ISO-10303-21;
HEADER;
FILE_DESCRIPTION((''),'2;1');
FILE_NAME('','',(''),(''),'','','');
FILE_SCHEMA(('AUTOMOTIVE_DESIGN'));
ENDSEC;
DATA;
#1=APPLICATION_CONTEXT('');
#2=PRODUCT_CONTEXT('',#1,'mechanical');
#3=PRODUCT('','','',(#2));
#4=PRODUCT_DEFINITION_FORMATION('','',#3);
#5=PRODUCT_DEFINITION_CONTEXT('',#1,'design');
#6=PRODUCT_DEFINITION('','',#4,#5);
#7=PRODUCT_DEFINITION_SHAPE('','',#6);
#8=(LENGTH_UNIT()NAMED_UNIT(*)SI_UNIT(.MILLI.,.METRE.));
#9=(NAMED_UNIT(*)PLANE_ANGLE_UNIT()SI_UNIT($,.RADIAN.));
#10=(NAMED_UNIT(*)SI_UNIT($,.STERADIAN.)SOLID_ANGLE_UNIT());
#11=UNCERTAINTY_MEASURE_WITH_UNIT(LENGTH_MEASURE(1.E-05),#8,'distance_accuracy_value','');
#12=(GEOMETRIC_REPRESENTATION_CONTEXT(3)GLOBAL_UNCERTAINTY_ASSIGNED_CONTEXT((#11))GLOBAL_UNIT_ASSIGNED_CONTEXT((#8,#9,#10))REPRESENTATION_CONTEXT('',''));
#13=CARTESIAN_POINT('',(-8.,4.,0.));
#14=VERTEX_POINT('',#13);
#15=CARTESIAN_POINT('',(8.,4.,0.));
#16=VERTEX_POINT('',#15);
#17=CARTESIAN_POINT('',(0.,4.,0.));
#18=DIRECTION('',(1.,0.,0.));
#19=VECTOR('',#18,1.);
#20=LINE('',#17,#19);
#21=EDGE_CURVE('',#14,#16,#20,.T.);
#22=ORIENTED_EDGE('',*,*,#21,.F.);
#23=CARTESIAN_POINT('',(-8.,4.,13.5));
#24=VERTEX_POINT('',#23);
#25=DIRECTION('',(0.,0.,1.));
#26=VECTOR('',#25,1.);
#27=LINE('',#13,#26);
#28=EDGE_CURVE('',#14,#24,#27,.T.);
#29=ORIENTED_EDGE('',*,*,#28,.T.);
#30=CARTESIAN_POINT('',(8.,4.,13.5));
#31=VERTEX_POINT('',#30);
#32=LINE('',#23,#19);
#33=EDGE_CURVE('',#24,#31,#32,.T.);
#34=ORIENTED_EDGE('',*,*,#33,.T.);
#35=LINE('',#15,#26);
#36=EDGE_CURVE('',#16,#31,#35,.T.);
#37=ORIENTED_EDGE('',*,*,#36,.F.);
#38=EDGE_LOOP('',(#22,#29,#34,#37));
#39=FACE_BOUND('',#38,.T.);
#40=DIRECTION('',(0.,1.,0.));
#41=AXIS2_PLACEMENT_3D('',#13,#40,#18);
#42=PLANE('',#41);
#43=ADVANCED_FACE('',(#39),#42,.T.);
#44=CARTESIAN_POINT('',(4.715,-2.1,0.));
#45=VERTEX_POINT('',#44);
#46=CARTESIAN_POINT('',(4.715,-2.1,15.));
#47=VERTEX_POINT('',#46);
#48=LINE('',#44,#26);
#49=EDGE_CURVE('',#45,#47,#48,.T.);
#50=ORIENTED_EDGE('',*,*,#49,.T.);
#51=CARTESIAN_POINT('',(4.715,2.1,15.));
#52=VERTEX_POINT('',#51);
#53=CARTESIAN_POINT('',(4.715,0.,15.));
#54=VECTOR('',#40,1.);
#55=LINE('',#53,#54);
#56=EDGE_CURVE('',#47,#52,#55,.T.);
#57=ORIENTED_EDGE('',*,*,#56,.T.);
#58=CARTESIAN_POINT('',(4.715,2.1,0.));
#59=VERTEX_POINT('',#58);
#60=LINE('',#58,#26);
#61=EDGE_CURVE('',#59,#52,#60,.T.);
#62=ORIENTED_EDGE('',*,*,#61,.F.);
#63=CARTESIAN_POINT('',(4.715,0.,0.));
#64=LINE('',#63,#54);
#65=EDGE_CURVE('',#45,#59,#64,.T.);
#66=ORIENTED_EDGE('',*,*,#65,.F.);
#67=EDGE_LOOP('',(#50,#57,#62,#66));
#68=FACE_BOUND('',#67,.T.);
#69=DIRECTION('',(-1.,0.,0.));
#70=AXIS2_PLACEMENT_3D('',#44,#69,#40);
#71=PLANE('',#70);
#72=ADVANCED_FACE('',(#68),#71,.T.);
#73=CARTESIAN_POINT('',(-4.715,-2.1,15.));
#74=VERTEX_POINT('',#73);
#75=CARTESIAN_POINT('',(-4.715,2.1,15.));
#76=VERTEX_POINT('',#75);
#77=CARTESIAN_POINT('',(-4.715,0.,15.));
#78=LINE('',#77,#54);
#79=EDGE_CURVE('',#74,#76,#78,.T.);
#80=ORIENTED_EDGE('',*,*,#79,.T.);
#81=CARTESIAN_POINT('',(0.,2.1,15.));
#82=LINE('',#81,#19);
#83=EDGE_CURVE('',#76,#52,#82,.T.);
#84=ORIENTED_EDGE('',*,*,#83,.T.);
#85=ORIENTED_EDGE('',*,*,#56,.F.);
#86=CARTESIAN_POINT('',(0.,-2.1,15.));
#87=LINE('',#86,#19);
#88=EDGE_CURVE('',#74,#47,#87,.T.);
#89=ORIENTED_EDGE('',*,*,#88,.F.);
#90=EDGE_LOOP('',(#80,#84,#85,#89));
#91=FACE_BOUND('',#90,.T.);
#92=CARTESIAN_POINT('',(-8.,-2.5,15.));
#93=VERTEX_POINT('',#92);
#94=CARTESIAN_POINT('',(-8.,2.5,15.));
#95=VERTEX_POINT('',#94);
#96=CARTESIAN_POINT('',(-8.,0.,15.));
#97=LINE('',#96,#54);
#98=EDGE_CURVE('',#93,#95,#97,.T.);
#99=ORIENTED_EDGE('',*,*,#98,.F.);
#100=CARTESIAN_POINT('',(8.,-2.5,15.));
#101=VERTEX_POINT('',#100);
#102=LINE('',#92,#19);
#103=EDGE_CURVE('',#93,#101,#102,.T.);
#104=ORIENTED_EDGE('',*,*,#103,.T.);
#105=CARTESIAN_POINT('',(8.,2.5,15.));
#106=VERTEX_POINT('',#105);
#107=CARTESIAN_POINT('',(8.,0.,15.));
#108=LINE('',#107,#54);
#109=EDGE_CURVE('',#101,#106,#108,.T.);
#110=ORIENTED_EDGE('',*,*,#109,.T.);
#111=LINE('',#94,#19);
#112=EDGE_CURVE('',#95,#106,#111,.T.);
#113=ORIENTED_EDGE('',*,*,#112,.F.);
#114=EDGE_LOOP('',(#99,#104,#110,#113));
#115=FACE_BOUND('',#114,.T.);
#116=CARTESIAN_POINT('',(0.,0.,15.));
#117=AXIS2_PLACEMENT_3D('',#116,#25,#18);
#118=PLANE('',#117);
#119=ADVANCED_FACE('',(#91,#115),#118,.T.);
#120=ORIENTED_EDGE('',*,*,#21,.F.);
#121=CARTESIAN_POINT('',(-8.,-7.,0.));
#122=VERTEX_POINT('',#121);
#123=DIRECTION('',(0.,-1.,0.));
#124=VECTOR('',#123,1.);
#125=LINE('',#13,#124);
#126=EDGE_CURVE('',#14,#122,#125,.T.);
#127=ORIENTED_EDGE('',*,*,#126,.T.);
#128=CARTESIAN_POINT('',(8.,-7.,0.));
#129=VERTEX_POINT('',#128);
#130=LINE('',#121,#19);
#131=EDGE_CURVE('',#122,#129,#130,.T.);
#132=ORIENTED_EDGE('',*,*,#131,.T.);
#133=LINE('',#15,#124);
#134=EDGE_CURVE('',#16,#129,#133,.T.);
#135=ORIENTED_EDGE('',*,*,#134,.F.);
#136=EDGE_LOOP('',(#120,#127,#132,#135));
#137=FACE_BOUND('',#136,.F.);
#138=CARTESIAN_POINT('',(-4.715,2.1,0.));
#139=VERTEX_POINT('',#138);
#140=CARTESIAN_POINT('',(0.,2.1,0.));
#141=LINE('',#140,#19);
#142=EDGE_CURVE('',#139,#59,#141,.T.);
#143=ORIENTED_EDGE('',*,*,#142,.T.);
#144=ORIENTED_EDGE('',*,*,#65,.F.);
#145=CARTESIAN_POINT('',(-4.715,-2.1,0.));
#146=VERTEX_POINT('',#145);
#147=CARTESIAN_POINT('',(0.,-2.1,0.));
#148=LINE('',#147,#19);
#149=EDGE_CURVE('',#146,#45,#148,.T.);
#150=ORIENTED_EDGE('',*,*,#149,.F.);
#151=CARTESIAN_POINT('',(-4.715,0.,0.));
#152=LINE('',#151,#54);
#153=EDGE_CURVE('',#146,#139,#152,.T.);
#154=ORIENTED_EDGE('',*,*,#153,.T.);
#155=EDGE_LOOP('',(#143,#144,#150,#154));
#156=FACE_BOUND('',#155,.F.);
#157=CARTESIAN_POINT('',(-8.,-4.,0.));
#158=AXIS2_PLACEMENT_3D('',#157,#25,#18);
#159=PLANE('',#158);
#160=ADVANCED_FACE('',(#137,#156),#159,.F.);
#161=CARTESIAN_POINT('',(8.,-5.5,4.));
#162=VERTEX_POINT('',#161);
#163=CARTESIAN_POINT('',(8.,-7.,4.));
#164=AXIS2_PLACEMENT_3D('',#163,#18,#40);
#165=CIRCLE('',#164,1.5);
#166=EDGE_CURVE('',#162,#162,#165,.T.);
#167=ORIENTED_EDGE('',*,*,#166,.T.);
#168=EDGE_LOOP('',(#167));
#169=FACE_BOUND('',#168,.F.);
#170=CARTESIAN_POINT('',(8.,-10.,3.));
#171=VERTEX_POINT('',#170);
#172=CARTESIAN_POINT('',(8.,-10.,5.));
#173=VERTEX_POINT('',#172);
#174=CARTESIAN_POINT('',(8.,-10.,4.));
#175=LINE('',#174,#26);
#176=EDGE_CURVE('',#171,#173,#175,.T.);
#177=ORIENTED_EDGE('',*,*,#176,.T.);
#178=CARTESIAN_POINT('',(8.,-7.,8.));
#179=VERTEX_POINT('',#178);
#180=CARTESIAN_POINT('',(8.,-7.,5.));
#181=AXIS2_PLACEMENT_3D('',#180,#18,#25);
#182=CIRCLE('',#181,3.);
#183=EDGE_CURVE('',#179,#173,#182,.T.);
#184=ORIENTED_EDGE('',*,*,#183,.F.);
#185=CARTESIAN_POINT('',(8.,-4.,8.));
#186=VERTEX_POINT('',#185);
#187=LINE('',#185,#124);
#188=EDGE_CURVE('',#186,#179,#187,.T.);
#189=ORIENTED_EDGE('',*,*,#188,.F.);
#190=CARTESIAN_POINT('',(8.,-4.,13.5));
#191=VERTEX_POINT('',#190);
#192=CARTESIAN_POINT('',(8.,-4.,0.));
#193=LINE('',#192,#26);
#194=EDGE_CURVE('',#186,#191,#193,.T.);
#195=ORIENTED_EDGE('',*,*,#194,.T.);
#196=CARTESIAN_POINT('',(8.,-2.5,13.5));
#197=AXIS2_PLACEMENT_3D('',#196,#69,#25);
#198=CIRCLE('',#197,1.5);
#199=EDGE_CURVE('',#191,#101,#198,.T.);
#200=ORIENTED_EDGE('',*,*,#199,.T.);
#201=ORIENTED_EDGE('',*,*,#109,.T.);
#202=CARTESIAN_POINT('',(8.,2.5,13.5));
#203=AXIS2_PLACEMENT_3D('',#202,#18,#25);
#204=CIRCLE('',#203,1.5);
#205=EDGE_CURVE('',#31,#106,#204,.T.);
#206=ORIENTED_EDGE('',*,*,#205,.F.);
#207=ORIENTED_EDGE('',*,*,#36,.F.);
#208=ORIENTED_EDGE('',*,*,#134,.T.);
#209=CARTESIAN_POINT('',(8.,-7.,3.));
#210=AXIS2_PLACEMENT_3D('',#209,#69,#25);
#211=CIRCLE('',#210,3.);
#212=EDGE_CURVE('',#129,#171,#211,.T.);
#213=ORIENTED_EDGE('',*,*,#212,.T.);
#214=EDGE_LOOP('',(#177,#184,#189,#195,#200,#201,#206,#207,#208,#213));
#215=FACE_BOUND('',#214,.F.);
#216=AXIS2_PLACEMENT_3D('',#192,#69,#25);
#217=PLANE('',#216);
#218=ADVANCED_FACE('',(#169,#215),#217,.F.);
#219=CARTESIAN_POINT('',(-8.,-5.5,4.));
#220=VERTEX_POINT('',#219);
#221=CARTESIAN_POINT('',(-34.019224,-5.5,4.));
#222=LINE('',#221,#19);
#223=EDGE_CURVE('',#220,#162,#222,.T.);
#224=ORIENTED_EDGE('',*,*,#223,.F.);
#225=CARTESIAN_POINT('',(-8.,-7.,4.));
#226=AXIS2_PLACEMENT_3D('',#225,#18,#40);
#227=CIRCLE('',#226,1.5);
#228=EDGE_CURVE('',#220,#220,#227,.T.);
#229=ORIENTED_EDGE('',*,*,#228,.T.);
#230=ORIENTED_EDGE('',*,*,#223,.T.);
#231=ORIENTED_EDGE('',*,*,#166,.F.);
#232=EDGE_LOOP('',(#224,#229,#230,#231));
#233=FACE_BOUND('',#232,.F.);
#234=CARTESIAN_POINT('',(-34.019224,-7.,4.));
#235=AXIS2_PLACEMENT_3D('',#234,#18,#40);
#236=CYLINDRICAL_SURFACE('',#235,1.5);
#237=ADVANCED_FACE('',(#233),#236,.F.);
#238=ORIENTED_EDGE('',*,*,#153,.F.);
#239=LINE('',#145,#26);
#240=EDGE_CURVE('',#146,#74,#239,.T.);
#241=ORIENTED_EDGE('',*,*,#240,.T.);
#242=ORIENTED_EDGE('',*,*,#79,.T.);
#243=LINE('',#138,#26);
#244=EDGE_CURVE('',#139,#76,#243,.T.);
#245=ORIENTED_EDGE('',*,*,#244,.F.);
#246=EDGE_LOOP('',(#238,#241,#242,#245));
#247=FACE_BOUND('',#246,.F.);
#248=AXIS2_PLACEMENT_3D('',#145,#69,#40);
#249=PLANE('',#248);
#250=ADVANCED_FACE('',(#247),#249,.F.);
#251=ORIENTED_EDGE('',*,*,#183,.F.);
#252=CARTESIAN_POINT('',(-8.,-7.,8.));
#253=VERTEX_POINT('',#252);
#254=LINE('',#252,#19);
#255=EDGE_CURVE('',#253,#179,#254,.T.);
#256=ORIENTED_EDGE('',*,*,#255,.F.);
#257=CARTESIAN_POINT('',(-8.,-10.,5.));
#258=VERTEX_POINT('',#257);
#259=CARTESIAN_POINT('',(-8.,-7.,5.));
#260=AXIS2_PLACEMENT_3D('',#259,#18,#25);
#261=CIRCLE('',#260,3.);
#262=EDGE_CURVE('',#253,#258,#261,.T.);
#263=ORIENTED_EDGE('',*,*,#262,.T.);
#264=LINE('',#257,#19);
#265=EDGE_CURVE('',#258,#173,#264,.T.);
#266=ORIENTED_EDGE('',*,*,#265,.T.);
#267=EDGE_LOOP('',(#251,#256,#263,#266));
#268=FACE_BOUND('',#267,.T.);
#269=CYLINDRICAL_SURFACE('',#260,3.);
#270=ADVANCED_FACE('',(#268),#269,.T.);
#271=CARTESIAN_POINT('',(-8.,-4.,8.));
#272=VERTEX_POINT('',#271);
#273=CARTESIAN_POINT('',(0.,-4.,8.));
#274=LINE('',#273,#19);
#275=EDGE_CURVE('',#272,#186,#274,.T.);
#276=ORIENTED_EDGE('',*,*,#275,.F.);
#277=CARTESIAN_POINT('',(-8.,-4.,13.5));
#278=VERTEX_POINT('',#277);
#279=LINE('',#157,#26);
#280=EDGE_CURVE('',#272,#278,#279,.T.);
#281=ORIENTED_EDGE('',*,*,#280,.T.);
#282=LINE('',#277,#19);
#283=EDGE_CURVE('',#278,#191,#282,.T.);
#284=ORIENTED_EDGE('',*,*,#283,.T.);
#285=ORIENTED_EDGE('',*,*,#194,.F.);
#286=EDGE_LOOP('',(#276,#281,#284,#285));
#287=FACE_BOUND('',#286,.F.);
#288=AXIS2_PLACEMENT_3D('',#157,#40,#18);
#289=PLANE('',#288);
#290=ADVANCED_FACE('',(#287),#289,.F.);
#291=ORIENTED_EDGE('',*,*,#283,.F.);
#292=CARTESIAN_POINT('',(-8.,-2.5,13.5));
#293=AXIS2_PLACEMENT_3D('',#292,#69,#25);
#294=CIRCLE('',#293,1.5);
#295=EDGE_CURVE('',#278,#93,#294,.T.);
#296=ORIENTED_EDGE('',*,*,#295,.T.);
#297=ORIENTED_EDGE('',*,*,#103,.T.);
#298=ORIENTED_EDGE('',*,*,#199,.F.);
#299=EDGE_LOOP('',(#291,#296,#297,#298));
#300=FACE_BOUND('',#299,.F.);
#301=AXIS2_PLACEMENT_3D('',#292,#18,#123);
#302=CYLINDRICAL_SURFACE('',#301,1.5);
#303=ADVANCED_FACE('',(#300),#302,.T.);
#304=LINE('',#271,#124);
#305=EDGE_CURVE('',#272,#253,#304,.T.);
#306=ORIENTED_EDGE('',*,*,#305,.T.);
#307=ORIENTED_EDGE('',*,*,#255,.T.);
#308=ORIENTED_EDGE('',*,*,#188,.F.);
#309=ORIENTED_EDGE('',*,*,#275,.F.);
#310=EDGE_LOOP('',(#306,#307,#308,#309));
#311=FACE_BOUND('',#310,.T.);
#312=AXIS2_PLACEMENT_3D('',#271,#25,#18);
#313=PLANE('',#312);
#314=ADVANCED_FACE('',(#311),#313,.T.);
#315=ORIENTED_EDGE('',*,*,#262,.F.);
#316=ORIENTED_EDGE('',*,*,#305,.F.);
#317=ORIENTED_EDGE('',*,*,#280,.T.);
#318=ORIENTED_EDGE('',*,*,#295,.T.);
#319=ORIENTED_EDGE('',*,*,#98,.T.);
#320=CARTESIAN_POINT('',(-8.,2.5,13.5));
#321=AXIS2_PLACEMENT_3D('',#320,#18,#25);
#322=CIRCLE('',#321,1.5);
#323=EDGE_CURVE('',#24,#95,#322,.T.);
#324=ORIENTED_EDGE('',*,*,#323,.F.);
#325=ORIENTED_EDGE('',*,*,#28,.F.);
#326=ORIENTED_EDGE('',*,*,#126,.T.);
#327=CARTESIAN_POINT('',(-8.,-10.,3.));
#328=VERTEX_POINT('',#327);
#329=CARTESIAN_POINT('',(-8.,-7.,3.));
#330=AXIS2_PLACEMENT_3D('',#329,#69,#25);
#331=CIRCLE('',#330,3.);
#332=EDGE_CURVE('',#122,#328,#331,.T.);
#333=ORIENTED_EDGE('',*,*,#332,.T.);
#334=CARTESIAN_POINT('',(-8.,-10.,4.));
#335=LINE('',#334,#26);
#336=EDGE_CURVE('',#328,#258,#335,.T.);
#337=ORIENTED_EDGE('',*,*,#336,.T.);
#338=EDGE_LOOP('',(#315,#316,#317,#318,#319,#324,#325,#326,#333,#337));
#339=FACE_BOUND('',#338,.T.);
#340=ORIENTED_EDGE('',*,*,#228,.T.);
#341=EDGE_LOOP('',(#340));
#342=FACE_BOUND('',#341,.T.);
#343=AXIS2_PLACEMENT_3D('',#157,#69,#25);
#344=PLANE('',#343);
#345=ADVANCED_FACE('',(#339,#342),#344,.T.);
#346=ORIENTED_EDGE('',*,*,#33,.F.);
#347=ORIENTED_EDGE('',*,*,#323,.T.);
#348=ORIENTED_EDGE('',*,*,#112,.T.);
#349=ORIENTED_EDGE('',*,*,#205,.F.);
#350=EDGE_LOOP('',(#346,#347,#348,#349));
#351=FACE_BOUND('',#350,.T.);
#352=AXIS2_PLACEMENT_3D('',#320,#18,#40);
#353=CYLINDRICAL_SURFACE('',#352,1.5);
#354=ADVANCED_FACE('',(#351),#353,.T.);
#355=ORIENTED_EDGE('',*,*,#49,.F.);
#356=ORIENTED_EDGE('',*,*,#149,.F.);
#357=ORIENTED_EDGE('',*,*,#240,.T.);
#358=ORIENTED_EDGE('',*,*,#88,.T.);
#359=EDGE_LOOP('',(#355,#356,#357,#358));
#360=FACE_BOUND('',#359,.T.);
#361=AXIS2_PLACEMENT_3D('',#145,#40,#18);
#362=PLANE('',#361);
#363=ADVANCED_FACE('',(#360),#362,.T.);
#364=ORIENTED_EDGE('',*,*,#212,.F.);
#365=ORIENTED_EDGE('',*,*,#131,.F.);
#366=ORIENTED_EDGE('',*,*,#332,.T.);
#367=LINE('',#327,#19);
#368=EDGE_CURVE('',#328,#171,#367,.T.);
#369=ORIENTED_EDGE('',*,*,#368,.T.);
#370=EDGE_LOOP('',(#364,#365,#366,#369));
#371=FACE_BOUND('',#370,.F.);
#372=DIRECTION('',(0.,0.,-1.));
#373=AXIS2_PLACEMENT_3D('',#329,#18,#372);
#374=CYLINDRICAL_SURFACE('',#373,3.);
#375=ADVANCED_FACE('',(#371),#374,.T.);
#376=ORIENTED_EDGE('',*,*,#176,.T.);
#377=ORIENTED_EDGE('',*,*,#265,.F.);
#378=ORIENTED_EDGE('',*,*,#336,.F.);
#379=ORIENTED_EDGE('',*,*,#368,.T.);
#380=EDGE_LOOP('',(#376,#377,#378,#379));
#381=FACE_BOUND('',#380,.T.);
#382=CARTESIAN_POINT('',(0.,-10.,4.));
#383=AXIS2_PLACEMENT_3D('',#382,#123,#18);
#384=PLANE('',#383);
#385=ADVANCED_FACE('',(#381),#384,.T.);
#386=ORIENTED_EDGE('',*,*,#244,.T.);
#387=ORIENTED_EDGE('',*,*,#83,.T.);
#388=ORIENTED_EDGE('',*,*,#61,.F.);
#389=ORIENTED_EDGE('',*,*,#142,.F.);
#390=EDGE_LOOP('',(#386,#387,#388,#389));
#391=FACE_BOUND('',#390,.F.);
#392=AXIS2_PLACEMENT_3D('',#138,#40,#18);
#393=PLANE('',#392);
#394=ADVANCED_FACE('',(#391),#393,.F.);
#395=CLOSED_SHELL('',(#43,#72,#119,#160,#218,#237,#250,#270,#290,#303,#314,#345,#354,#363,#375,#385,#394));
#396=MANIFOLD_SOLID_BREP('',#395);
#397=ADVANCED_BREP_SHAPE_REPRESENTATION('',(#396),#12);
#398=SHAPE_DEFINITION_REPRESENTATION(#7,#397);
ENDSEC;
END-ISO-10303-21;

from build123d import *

# Parameters (mm, degrees)
F0_W     = 16
F0_H     = 8
F0_W_2   = 9.43
F0_H_2   = 4.2
F1_DEPTH = 15
F2_W     = 16
F2_H     = 8
F3_DEPTH = 6
F4_R     = 3
F6_D     = 3
F7_R     = 1.5


with BuildPart() as f1:
    # F0 (on Top) → F1 (new body)
    with BuildSketch(Plane.XY):
        Rectangle(F0_W, F0_H)
        Rectangle(F0_W_2, F0_H_2, mode=Mode.SUBTRACT)
    extrude(amount=F1_DEPTH)

    # F2 (on face) → F3 (join)
    with BuildSketch(Plane.XZ.offset(4)):
        with Locations((0, 4)):
            Rectangle(F2_W, F2_H)
    extrude(amount=F3_DEPTH)

    # F4
    f4_edges = [f1.edges().sort_by_distance(p)[0] for p in [
        (0, -10, 0),
        (0, -10, 8),
    ]]
    fillet(f4_edges, radius=F4_R)

    # F6 (through all)
    with Locations(Plane(origin=(-8, 0, 0), x_dir=(0, -1, 0), z_dir=(-1, 0, 0))):
        with Locations((7, 4)):
            Hole(F6_D / 2)

    # F7
    f7_edges = [f1.edges().sort_by_distance(p)[0] for p in [
        (0, -4, 15),
        (0, 4, 15),
    ]]
    fillet(f7_edges, radius=F7_R)


solid = f1.part
